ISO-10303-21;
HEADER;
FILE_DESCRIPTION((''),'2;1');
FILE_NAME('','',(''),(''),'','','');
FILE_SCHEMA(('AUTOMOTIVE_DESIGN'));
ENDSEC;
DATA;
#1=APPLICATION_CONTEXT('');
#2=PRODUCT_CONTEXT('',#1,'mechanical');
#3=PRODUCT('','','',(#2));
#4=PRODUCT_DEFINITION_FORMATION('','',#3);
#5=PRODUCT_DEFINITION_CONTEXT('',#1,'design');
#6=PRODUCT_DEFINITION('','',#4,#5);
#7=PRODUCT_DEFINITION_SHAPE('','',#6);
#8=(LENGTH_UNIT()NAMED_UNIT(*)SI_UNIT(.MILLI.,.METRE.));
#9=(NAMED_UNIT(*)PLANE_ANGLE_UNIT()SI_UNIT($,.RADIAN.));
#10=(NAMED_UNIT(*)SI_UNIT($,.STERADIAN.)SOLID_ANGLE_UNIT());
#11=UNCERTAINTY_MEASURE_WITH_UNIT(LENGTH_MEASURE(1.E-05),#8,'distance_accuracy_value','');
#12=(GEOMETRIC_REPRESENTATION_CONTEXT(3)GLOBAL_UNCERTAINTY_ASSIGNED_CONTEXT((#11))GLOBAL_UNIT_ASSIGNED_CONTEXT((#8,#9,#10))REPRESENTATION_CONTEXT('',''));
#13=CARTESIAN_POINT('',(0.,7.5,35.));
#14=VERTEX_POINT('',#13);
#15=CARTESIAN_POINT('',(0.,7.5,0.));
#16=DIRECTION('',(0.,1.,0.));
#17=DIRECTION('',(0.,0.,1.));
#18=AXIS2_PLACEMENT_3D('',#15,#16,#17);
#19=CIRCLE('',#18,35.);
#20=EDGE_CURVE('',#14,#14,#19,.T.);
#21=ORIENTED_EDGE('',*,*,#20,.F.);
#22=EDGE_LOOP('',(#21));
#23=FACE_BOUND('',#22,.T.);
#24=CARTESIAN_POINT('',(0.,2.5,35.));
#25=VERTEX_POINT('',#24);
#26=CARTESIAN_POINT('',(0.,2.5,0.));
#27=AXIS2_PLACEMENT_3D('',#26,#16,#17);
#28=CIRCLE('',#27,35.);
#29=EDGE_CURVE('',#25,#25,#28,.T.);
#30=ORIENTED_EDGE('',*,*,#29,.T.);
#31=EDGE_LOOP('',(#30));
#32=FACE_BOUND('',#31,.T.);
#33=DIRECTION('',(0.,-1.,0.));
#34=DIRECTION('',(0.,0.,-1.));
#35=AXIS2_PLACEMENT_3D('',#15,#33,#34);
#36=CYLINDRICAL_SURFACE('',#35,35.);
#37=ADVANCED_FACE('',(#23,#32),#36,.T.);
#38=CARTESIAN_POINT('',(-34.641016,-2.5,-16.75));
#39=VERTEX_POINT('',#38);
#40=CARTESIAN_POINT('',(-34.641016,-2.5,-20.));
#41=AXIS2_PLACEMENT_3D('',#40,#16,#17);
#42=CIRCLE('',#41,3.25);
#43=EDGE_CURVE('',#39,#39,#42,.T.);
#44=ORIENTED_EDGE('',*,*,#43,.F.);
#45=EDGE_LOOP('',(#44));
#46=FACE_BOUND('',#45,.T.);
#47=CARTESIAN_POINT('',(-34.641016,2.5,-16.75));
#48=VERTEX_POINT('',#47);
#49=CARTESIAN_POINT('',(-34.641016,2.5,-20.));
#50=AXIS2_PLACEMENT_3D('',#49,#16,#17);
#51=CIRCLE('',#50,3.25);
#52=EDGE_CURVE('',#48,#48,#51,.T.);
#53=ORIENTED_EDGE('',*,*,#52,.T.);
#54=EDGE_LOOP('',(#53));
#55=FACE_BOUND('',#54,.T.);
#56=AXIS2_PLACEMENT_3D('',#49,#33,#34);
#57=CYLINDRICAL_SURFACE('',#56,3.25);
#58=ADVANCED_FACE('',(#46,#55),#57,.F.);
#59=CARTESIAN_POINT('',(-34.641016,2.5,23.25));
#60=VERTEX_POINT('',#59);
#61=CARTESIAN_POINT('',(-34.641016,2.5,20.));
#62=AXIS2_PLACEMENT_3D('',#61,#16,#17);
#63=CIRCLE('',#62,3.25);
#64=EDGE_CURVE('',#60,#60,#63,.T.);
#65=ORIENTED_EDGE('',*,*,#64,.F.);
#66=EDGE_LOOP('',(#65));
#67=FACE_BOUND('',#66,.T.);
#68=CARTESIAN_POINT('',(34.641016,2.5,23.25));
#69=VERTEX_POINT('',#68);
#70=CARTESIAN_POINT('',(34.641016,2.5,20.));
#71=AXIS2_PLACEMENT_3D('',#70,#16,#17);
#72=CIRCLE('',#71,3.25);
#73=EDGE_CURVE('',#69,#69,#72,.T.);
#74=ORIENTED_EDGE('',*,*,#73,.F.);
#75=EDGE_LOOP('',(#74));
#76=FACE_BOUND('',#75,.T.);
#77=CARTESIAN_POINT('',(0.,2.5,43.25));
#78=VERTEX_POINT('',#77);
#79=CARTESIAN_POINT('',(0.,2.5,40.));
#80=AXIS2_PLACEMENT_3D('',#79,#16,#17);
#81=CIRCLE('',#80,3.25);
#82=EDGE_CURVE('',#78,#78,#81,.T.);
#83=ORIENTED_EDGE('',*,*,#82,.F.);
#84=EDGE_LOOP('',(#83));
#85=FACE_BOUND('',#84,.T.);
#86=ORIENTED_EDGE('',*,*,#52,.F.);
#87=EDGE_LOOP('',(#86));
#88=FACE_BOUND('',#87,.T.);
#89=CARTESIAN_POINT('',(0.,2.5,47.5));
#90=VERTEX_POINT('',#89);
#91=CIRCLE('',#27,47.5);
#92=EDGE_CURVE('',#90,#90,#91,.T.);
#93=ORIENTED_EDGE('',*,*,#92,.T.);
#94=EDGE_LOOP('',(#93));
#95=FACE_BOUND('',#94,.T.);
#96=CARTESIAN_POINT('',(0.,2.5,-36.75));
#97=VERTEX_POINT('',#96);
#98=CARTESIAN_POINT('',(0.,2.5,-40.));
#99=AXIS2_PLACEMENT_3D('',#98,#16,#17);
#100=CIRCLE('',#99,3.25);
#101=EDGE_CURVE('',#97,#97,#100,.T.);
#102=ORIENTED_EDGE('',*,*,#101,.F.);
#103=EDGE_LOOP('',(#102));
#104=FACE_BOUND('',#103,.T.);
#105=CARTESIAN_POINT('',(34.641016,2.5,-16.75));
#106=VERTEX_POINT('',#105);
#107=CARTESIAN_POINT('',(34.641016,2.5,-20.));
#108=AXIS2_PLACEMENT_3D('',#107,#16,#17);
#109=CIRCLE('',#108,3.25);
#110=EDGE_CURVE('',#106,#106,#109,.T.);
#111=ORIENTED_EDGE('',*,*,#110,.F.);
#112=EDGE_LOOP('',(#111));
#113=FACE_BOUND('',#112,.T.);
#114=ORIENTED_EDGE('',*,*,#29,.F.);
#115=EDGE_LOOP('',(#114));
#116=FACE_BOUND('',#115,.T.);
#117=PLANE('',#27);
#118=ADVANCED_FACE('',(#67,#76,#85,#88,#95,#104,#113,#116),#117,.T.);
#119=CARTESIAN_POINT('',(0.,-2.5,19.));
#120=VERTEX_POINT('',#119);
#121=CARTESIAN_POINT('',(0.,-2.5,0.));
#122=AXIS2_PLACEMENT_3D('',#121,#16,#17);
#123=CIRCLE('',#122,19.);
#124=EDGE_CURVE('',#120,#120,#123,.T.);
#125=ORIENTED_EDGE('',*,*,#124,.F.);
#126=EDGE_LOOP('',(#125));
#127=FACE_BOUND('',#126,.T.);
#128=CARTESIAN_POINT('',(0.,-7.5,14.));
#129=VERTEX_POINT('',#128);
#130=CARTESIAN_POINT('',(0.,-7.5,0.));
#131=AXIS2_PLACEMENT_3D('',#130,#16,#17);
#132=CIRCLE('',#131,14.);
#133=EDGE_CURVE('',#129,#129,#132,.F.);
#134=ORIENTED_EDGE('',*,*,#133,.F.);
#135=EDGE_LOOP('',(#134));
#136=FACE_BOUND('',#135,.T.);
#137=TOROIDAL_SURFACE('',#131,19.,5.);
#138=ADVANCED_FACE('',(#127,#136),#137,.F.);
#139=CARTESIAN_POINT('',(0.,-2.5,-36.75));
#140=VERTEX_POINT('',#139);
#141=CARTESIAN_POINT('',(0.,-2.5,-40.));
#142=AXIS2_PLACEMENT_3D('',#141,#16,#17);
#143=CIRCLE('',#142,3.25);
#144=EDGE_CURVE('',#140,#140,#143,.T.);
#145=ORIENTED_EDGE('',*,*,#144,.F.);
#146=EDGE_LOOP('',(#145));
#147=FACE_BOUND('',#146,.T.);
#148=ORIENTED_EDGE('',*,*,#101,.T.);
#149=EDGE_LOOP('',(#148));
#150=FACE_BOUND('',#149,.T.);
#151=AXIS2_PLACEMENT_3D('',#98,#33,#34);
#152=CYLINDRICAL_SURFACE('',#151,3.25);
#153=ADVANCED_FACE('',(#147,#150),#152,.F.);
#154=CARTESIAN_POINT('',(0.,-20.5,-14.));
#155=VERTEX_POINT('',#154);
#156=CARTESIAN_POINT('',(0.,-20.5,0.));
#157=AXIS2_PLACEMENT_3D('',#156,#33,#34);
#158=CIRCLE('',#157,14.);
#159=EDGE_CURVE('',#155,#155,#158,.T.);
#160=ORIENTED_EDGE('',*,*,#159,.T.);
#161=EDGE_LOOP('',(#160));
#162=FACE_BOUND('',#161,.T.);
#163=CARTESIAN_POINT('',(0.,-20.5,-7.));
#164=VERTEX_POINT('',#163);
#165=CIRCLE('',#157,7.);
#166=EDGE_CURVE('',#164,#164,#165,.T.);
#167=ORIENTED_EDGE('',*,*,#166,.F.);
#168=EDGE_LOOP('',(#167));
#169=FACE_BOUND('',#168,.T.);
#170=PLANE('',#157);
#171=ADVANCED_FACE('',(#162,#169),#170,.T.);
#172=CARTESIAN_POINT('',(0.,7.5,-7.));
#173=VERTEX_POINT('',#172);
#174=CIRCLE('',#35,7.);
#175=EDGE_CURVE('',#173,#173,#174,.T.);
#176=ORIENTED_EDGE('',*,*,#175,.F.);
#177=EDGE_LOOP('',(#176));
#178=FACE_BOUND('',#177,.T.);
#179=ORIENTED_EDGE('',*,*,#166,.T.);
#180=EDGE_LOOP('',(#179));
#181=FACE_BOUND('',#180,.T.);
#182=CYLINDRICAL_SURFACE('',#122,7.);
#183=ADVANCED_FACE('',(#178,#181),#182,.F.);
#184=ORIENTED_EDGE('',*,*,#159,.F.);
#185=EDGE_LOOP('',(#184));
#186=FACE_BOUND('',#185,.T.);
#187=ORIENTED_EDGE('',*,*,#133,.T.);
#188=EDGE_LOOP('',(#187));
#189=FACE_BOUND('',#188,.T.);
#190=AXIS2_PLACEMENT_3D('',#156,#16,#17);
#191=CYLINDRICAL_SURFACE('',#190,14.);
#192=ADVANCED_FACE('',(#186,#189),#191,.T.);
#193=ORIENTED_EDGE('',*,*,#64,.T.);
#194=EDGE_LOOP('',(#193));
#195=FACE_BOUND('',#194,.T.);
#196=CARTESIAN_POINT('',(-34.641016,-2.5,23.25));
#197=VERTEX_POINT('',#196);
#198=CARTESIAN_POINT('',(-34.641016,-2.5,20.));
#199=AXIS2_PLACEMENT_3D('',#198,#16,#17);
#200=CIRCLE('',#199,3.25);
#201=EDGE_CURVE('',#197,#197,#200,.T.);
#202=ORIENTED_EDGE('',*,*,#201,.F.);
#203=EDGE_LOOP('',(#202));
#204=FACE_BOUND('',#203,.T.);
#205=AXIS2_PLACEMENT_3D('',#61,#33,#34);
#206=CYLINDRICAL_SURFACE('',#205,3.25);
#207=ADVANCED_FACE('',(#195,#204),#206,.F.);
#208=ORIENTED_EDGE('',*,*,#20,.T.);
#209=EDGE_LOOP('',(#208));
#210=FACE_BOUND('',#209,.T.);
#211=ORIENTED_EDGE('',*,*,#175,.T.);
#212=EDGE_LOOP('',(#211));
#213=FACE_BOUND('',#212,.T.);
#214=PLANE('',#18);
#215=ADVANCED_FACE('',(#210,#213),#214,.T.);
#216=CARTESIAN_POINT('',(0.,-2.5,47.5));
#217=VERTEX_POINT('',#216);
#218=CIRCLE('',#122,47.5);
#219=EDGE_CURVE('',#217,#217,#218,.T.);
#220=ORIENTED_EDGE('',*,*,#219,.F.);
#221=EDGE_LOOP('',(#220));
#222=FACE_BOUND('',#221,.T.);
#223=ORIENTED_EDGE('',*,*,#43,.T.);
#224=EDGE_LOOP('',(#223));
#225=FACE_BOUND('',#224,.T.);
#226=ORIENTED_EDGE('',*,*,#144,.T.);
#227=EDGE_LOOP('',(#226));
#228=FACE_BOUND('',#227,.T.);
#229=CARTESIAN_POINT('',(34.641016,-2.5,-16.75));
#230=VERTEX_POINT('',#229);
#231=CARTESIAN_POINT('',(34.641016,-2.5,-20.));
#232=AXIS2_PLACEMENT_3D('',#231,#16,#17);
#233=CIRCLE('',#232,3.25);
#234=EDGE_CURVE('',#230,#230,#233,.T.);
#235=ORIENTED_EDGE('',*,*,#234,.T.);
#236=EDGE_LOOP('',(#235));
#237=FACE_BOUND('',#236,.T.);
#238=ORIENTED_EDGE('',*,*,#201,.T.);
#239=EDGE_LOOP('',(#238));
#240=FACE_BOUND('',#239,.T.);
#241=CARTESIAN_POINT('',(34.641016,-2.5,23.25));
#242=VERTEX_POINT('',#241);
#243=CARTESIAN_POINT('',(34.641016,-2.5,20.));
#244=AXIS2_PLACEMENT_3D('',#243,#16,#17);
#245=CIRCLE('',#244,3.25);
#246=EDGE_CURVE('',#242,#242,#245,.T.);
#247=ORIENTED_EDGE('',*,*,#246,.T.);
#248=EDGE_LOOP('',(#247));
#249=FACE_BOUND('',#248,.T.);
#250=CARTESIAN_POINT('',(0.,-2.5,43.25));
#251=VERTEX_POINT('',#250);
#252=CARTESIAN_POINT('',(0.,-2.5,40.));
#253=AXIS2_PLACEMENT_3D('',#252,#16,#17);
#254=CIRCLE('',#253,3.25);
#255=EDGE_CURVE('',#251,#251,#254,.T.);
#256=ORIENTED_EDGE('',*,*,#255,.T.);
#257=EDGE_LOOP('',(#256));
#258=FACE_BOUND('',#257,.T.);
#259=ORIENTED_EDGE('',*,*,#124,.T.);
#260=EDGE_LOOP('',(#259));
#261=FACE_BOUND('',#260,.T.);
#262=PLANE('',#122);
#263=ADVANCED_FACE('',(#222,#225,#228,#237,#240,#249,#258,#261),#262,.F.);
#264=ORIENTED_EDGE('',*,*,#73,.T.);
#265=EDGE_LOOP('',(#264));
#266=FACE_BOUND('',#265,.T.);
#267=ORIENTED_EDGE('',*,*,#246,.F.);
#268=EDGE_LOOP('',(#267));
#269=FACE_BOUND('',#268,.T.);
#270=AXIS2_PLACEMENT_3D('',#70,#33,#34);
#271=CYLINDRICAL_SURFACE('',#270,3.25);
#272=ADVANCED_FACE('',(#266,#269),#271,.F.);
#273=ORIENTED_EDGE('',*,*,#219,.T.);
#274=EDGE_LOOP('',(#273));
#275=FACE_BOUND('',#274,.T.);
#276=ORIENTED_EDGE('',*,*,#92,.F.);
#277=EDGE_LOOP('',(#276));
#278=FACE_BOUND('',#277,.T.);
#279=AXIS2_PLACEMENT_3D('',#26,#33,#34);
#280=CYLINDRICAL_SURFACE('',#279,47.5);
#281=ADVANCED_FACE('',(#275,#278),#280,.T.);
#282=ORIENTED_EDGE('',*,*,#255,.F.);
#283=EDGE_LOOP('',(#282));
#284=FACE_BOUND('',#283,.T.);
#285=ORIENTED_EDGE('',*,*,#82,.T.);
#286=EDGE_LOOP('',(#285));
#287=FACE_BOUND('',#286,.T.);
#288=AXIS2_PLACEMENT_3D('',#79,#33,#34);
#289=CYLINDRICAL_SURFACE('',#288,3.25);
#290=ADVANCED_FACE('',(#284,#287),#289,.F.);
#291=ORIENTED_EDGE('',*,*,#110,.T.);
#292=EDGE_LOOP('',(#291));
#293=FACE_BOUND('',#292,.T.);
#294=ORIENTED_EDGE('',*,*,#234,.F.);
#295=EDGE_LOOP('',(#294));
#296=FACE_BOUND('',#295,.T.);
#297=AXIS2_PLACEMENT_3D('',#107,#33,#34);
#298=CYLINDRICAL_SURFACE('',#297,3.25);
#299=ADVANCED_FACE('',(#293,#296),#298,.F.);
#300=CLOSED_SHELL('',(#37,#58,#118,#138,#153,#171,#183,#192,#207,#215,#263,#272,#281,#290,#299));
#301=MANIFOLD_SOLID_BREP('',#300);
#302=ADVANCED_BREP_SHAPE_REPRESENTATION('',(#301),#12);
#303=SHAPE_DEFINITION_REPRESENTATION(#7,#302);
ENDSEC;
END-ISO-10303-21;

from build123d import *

# Parameters (mm, degrees)
SKETCH2_R               = 47.5
SKETCH2_R_2             = 3.25
BOSS_EXTRUDE1_DEPTH     = 2.5
SKETCH3_R               = 7
CUT_EXTRUDE1_DEPTH      = 5
SKETCH4_R               = 35
BOSS_EXTRUDE2_DEPTH     = 5
SKETCH5_R               = 14
BOSS_EXTRUDE3_DEPTH     = 18
SKETCH6_R               = 7
CUT_EXTRUDE2_DEPTH      = 1
CUT_EXTRUDE2_DEPTH_BACK = 29
FILLET1_R               = 5


with BuildPart() as part:
    # Sketch2 → Boss-Extrude1 (new body, symmetric)
    with BuildSketch(Plane(origin=(0, 0, 0), x_dir=(1, 0, 0), z_dir=(0, 1, 0))):
        Circle(SKETCH2_R)
        with Locations((0, 40)):
            Circle(SKETCH2_R_2, mode=Mode.SUBTRACT)
        with Locations((34.641016151, 20)):
            Circle(SKETCH2_R_2, mode=Mode.SUBTRACT)
        with Locations((34.641016151, -20)):
            Circle(SKETCH2_R_2, mode=Mode.SUBTRACT)
        with Locations((0, -40)):
            Circle(SKETCH2_R_2, mode=Mode.SUBTRACT)
        with Locations((-34.641016151, -20)):
            Circle(SKETCH2_R_2, mode=Mode.SUBTRACT)
        with Locations((-34.641016151, 20)):
            Circle(SKETCH2_R_2, mode=Mode.SUBTRACT)
    extrude(amount=BOSS_EXTRUDE1_DEPTH, both=True)

    # Sketch3 → Cut-Extrude1 (cut)
    with BuildSketch(Plane(origin=(0, 2.5, 0), x_dir=(1, 0, 0), z_dir=(0, 1, 0))):
        Circle(SKETCH3_R)
    extrude(amount=-CUT_EXTRUDE1_DEPTH, mode=Mode.SUBTRACT)

    # Sketch4 → Boss-Extrude2 (add)
    with BuildSketch(Plane(origin=(0, 2.5, 0), x_dir=(1, 0, 0), z_dir=(0, 1, 0))):
        Circle(SKETCH4_R)
    extrude(amount=BOSS_EXTRUDE2_DEPTH)

    # Sketch5 → Boss-Extrude3 (add)
    with BuildSketch(Plane.XZ.offset(2.5)):
        Circle(SKETCH5_R)
    extrude(amount=BOSS_EXTRUDE3_DEPTH)

    # Sketch6 → Cut-Extrude2 (cut, two sides)
    with BuildSketch(Plane.XZ.offset(20.5)) as cut_extrude2_sk:
        Circle(SKETCH6_R)
    extrude(amount=CUT_EXTRUDE2_DEPTH, mode=Mode.SUBTRACT)
    extrude(cut_extrude2_sk.sketch, amount=-CUT_EXTRUDE2_DEPTH_BACK, mode=Mode.SUBTRACT)

    # Fillet1
    fillet1_edges = [part.edges().sort_by_distance(p)[0] for p in [
        (-14, -2.5, 0),
    ]]
    fillet(fillet1_edges, radius=FILLET1_R)


solid = part.part
